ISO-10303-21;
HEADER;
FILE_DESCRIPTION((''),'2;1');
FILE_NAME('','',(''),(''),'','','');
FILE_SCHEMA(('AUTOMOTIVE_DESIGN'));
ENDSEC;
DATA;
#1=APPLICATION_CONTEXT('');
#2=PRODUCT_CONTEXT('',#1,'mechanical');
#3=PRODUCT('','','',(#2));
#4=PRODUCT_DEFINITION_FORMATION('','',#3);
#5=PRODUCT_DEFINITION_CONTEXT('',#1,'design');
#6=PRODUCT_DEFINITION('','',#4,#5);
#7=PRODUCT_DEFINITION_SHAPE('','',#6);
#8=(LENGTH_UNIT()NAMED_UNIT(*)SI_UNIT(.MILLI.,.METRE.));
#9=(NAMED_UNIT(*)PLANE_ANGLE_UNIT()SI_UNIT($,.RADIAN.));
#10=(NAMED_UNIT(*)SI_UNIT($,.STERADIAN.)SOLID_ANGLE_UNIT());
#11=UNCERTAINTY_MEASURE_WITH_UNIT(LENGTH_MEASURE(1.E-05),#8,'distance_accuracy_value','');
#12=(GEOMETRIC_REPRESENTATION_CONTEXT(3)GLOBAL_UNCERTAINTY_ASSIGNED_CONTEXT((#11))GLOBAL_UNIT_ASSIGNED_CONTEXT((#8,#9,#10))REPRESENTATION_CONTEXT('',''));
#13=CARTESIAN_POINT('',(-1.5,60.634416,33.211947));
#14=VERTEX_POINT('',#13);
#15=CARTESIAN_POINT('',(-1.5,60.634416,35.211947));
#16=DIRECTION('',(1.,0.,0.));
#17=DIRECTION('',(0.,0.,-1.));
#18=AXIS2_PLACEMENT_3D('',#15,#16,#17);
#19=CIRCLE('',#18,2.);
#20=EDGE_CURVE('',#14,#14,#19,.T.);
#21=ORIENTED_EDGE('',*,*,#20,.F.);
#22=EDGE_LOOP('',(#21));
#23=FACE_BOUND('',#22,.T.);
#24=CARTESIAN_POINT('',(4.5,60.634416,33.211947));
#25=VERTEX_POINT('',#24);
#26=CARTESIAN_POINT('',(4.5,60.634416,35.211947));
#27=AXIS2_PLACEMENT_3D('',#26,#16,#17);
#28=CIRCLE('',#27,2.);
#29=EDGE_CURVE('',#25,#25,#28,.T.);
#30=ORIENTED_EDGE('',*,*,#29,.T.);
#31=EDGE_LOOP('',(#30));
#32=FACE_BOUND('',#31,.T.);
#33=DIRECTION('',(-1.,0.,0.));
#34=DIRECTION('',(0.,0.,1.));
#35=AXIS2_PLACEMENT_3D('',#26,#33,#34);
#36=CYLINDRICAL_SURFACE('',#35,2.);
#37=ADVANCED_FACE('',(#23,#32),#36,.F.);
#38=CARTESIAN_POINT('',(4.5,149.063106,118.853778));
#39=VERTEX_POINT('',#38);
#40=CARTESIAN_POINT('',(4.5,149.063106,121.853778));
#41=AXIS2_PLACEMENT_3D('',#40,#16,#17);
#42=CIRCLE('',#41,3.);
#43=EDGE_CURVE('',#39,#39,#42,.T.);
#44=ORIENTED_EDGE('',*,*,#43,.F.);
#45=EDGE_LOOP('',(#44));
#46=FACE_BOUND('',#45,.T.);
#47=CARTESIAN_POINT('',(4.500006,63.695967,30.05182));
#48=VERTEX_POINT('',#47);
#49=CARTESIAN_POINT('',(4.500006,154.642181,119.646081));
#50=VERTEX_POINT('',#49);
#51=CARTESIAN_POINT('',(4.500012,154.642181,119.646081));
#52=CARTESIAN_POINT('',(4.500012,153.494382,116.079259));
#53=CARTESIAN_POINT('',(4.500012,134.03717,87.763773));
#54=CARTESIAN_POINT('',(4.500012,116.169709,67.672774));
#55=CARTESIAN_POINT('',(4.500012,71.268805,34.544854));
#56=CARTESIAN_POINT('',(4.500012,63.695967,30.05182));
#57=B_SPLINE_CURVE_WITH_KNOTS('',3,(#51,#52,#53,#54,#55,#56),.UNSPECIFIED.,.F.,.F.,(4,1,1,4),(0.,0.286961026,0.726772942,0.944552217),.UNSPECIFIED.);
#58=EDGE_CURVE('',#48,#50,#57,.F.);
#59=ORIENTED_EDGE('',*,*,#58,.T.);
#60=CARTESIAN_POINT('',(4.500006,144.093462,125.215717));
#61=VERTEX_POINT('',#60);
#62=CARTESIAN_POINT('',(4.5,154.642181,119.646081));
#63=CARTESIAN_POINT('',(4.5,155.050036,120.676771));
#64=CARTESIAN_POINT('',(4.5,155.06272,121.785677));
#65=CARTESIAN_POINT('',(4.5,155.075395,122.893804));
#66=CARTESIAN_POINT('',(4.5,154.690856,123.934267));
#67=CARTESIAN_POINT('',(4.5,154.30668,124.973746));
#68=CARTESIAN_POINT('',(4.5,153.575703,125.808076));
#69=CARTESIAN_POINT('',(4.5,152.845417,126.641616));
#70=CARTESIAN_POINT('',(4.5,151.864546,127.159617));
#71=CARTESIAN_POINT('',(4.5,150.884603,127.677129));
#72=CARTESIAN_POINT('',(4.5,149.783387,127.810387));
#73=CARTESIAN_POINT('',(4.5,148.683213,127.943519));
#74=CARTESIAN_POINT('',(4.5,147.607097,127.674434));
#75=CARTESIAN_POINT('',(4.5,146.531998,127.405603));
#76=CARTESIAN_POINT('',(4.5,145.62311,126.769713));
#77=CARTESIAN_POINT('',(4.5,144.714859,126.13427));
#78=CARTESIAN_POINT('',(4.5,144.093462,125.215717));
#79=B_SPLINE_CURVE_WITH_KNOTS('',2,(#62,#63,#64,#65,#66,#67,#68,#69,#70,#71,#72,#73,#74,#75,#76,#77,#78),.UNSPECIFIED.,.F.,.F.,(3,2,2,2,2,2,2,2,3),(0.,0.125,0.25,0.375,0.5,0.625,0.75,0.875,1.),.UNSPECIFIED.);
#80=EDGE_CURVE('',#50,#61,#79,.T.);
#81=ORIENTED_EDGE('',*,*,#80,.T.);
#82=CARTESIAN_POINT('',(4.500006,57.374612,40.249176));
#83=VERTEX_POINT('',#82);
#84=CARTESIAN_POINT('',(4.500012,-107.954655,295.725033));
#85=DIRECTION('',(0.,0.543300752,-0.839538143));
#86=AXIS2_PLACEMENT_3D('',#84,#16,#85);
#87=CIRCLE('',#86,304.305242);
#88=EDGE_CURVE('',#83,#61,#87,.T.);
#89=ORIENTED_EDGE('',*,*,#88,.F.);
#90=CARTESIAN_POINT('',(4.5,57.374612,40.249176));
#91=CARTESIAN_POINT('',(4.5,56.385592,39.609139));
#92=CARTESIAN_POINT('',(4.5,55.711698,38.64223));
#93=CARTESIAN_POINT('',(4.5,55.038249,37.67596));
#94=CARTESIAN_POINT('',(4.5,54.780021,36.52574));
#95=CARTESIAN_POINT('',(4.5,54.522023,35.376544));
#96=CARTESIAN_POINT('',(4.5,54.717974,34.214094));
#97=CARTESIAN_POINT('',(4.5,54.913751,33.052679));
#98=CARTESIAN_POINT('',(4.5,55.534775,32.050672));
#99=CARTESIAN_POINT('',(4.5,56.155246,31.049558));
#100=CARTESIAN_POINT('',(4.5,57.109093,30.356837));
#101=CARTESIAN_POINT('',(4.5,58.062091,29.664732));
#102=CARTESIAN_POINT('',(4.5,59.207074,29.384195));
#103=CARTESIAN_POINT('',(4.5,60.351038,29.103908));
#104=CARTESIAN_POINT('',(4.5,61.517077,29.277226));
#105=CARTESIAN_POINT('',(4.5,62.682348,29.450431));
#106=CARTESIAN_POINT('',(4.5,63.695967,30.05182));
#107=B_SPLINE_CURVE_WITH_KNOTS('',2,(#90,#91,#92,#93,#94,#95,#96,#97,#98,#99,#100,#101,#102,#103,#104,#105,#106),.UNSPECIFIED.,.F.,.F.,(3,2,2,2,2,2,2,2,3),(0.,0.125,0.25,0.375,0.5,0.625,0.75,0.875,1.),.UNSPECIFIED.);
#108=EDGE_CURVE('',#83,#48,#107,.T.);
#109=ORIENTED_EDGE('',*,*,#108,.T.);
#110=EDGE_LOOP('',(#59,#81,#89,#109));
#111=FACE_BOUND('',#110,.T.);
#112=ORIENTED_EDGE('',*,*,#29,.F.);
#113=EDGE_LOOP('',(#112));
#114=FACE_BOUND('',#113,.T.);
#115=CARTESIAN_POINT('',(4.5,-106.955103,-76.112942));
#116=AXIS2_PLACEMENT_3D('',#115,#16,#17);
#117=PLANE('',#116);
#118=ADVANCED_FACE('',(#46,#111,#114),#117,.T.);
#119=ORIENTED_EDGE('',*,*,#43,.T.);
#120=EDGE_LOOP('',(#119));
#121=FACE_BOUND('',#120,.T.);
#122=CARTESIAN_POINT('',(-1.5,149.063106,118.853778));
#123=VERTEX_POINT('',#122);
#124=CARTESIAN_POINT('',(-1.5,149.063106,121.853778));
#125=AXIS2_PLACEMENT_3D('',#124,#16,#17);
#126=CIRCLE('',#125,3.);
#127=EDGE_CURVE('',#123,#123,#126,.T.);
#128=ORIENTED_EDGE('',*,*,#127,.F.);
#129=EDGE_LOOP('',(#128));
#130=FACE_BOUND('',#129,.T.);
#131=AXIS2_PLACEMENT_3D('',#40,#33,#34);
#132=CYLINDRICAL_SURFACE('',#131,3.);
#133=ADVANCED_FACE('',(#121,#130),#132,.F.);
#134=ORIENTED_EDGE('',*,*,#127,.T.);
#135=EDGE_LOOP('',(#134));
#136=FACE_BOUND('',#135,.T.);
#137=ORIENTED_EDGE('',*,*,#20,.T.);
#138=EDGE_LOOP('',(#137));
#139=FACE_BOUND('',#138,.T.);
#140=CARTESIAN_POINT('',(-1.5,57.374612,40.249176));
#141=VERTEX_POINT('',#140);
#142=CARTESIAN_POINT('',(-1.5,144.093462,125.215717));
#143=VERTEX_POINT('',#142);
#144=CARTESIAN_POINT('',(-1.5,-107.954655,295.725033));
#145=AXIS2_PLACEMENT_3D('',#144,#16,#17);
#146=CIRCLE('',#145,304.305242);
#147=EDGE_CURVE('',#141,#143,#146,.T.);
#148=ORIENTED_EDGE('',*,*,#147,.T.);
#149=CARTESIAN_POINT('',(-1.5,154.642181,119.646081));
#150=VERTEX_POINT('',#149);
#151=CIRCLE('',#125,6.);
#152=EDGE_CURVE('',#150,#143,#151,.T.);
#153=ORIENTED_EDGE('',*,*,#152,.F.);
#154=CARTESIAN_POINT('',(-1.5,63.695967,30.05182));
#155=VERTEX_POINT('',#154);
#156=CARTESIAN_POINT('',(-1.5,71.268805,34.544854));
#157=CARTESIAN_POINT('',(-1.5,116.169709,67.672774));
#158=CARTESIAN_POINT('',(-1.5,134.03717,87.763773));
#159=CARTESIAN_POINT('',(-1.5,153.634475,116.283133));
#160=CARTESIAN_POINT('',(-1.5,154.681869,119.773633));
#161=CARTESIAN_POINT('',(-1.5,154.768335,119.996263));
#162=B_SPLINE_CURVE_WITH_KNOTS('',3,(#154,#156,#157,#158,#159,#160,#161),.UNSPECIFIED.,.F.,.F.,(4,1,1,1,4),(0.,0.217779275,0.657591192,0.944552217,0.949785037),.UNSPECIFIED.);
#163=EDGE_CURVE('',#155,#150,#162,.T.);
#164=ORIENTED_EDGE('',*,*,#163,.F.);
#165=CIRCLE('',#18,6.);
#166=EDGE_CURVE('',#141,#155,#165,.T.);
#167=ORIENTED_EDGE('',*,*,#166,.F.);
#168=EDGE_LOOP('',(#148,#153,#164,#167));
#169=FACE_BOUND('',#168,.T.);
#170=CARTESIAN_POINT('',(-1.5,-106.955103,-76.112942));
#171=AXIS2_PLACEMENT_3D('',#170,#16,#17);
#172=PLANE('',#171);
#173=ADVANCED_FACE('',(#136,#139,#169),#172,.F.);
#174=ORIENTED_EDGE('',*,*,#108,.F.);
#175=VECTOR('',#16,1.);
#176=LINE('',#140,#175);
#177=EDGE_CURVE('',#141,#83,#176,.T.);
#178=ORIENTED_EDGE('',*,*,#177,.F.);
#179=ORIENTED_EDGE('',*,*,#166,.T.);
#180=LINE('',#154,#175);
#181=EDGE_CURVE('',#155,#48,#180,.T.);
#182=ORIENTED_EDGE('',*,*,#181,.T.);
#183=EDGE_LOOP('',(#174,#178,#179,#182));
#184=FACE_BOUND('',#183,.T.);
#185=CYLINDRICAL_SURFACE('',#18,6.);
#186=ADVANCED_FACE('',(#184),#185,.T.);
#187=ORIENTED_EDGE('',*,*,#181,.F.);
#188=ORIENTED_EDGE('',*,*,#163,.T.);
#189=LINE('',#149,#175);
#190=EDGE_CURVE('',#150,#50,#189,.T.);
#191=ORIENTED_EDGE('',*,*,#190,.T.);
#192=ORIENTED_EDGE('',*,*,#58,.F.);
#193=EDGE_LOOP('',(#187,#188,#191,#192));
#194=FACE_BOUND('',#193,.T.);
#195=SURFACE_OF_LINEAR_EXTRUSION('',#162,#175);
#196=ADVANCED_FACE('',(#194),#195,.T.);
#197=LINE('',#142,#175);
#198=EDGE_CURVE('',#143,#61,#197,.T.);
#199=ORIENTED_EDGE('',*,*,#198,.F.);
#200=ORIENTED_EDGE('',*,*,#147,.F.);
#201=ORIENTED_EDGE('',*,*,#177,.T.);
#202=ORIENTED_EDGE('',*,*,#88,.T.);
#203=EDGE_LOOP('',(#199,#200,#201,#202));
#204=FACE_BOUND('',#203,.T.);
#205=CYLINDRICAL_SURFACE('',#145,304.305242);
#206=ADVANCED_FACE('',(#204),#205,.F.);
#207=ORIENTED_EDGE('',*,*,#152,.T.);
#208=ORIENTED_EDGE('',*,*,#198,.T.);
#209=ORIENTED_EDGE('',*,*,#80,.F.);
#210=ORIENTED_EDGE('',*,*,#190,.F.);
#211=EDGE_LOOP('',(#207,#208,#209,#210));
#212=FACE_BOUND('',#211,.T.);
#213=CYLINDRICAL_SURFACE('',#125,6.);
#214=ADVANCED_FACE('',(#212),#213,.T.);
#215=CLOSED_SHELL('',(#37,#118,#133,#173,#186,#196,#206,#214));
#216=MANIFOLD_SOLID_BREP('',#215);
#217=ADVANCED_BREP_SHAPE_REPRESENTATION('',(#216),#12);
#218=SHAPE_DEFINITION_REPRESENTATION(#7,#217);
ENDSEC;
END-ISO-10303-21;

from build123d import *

# Parameters (mm, degrees)
SKETCH3_R               = 1
SKETCH3_R_2             = 1.5
BOSS_EXTRUDE3_DEPTH     = 3
SCALE1_SCALE            = 2
CUT_EXTRUDE1_DEPTH      = 221.773250552
CUT_EXTRUDE1_DEPTH_BACK = 221.773250552


with BuildPart() as part:
    # Sketch3 → Boss-Extrude3 (new body)
    with BuildSketch(Plane.YZ):
        with BuildLine():
            ThreePointArc((85.286443942, 65.55056259), (103.116861263, 80.165410908), (118.092599751, 97.693811573))
            ThreePointArc((118.092599751, 97.693811573), (133.598383509, 107.27552243), (130.534429587, 89.307475813))
            ThreePointArc((130.534429587, 89.307475813), (113.614659803, 69.451110846), (93.417083732, 52.940152059))
            ThreePointArc((93.417083732, 52.940152059), (75.390242246, 50.243580365), (85.286443942, 65.55056259))
        make_face()
        with Locations(Location((83.794759513, 55.662444591, 0), (0, 0, 270))):
            Circle(SKETCH3_R, mode=Mode.SUBTRACT)
        with Locations(Location((128.009104434, 98.9833599, 0), (0, 0, 270))):
            Circle(SKETCH3_R_2, mode=Mode.SUBTRACT)
    extrude(amount=BOSS_EXTRUDE3_DEPTH)


with BuildPart() as part_1:
    # Scale1: scaled about (1.5, 106.955102549, 76.112942123)
    add(part.part.scale(SCALE1_SCALE).moved(Location((-1.5, -106.955102549, -76.112942123))))

    # Sketch4 → Cut-Extrude1 (cut, two sides: drawn at the far end of the back side and taken through both)
    # profile 1 of 2: a face of its own
    with BuildSketch(Plane.YZ.offset(4.5).offset(-CUT_EXTRUDE1_DEPTH_BACK)):
        with BuildLine():
            ThreePointArc((88.183726829, 23.336110281), (127.272749417, 55.646412862), (160.374162964, 94.067810039))
            ThreePointArc((160.374162964, 94.067810039), (165.982617362, 146.627355256), (119.06613126, 122.279790983))
            ThreePointArc((119.06613126, 122.279790983), (92.280087616, 91.3607464), (60.820757061, 65.211368339))
            ThreePointArc((60.820757061, 65.211368339), (35.520657449, 18.801611674), (88.183726829, 23.336110281))
        make_face()
        with BuildLine():
            ThreePointArc((129.230096954, 119.274681024), (99.278619977, 84.217879693), (63.617785336, 54.988183056))
            ThreePointArc((63.617785336, 54.988183056), (43.825381943, 24.374218606), (79.879064915, 29.767361994))
            ThreePointArc((79.879064915, 29.767361994), (120.274217057, 62.78927957), (154.113756626, 102.502009503))
            ThreePointArc((154.113756626, 102.502009503), (160.241664469, 138.438102737), (129.230096954, 119.274681024))
        make_face(mode=Mode.SUBTRACT)
    # profile 2 of 2: a face of its own
    with BuildSketch(Plane.YZ.offset(4.5).offset(-CUT_EXTRUDE1_DEPTH_BACK)):
        with BuildLine():
            ThreePointArc((154.113756626, 102.502009503), (160.241664469, 138.438102737), (129.230096954, 119.274681024))
            ThreePointArc((129.230096954, 119.274681024), (99.278619977, 84.217879693), (63.617785336, 54.988183056))
            ThreePointArc((63.617785336, 54.988183056), (43.825381943, 24.374218606), (79.879064915, 29.767361994))
            ThreePointArc((79.879064915, 29.767361994), (120.274217057, 62.78927957), (154.113756626, 102.502009503))
        make_face()
        with BuildLine():
            ThreePointArc((63.695966872, 30.051820201), (55.534775112, 32.050672324), (57.374611965, 40.249175913))
            ThreePointArc((57.374611965, 40.249175913), (105.014353395, 78.363855281), (144.093462371, 125.215717449))
            ThreePointArc((144.093462371, 125.215717449), (151.698622928, 127.243958769), (154.768335401, 119.996262907))
            ThreePointArc((154.768335401, 119.996262907), (154.707974363, 119.820193462), (154.642181096, 119.646080998))
            add(Edge.make_bspline(
                [(63.695966872, 30.051820201), (71.268804507, 34.544853938), (116.169708626, 67.672774066), (134.037170487, 87.763772771), (153.494381638, 116.0792592), (154.642181096, 119.646080998)],
                knots=[0, 0, 0, 0, 0.217779275, 0.657591192, 0.944552217, 0.944552217, 0.944552217, 0.944552217], degree=3))
        make_face(mode=Mode.SUBTRACT)
    extrude(amount=CUT_EXTRUDE1_DEPTH + CUT_EXTRUDE1_DEPTH_BACK, mode=Mode.SUBTRACT)


solid = part_1.part
